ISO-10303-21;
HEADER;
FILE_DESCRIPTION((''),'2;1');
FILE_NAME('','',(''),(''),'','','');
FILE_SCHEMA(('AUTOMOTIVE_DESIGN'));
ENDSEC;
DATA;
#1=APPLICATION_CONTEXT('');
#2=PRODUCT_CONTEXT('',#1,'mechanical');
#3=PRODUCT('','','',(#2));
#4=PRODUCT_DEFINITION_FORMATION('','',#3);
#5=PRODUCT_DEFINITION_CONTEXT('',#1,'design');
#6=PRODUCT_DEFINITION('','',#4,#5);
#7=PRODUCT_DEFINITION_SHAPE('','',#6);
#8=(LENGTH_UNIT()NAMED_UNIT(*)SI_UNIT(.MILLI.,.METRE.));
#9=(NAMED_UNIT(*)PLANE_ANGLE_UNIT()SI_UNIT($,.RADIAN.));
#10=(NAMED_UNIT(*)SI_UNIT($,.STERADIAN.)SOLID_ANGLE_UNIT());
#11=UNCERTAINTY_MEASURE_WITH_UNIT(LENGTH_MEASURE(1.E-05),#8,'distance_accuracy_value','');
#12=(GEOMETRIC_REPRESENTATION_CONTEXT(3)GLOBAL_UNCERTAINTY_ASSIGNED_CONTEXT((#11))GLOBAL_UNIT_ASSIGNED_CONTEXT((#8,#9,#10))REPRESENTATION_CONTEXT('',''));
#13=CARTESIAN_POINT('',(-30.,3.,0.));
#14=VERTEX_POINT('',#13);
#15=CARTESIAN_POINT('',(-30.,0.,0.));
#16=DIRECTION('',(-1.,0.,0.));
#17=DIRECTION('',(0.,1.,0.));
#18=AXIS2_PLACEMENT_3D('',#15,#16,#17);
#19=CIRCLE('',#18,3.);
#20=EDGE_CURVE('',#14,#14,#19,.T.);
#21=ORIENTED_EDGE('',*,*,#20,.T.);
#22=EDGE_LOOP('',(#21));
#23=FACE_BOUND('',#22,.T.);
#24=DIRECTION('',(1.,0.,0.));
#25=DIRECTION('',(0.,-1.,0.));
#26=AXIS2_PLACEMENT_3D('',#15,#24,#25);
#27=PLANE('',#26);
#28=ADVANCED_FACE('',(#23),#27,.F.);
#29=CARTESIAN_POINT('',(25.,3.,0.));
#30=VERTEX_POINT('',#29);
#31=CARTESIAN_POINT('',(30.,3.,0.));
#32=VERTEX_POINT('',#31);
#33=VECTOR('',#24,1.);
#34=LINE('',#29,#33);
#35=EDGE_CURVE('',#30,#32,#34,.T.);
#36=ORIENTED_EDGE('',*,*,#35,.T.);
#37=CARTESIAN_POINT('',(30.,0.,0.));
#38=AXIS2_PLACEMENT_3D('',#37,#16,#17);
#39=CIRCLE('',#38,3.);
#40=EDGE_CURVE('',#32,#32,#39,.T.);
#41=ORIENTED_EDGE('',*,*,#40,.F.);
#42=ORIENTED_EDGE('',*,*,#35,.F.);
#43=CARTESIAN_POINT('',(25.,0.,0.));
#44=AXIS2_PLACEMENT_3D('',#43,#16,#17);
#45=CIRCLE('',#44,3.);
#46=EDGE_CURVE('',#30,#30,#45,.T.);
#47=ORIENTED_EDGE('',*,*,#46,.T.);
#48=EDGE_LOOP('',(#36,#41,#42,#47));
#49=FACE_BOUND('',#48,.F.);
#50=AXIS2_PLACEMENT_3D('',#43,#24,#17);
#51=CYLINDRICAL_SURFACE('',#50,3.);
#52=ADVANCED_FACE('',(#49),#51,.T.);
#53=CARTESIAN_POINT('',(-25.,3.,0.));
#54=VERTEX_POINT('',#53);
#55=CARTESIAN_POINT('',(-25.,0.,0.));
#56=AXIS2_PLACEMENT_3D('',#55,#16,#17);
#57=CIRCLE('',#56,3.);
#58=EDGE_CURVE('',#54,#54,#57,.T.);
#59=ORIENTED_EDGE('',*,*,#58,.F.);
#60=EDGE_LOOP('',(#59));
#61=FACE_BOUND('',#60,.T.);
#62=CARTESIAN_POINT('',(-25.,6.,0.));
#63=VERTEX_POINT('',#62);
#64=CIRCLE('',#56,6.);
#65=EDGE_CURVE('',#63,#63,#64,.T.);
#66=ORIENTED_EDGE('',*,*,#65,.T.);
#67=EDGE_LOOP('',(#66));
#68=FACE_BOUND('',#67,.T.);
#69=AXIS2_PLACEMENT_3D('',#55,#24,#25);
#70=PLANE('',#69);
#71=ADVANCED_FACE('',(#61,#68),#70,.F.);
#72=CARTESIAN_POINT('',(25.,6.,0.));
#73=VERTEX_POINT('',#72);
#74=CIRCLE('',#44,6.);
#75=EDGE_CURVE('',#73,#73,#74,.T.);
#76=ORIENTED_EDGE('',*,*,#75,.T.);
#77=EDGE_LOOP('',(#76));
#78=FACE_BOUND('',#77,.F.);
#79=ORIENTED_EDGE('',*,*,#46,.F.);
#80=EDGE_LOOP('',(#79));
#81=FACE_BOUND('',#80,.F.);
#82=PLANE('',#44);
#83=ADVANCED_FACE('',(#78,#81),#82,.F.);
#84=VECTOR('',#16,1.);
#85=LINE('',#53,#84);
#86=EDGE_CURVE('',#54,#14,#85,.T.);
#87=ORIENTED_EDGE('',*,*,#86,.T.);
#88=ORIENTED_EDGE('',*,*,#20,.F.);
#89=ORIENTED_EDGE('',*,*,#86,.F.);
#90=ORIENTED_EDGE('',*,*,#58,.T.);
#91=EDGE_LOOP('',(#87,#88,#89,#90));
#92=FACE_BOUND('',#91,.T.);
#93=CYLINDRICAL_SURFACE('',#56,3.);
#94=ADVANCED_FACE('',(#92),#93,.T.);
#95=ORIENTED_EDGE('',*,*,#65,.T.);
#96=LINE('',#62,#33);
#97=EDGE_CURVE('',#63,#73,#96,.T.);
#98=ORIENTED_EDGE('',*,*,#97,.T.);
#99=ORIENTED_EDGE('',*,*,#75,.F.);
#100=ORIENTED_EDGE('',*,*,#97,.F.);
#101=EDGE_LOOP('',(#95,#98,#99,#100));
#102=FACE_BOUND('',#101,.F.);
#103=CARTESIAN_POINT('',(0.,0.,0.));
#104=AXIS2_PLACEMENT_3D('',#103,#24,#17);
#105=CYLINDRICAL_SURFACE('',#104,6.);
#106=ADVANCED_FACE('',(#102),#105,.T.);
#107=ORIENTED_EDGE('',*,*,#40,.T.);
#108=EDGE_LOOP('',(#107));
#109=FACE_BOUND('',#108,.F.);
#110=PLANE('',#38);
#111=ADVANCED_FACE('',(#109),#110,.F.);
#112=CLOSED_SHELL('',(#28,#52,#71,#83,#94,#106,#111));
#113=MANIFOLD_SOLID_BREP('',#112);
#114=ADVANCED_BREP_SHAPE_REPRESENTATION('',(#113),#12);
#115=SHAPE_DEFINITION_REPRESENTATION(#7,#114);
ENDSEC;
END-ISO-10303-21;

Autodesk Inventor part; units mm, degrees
ref_plane "YZ Plane" through (0, 0, 0) normal (1, 0, 0) x (0, 1, 0)
ref_plane "XZ Plane" through (0, 0, 0) normal (0, 1, 0) x (-1, 0, 0)
ref_plane "XY Plane" through (0, 0, 0) normal (0, 0, 1) x (1, 0, 0)
sketch "Sketch1" plane through (0, 0, 0) normal (0, 0, 1) x (1, 0, 0)
  line L0 (0, 0) -> (0, 6)
  line L1 (0, 6) -> (25, 6)
  line L2 (25, 6) -> (25, 3)
  line L3 (25, 3) -> (30, 3)
  line L4 (30, 3) -> (30, 0)
  line L5 (30, 0) -> (0, 0)
  dimension "d0" = 6
  dimension "d1" = 3
  dimension "d2" = 5
  dimension "d3" = 25
revolve "Revolution1" add sketch "Sketch1" angle 360 about axis through (30, 0, 0) along (-1, 0, 0)
mirror "Mirror1" about plane through (0, 3, 0) normal (-1, 0, 0) of "Revolution1"
properties part number "Roller"
